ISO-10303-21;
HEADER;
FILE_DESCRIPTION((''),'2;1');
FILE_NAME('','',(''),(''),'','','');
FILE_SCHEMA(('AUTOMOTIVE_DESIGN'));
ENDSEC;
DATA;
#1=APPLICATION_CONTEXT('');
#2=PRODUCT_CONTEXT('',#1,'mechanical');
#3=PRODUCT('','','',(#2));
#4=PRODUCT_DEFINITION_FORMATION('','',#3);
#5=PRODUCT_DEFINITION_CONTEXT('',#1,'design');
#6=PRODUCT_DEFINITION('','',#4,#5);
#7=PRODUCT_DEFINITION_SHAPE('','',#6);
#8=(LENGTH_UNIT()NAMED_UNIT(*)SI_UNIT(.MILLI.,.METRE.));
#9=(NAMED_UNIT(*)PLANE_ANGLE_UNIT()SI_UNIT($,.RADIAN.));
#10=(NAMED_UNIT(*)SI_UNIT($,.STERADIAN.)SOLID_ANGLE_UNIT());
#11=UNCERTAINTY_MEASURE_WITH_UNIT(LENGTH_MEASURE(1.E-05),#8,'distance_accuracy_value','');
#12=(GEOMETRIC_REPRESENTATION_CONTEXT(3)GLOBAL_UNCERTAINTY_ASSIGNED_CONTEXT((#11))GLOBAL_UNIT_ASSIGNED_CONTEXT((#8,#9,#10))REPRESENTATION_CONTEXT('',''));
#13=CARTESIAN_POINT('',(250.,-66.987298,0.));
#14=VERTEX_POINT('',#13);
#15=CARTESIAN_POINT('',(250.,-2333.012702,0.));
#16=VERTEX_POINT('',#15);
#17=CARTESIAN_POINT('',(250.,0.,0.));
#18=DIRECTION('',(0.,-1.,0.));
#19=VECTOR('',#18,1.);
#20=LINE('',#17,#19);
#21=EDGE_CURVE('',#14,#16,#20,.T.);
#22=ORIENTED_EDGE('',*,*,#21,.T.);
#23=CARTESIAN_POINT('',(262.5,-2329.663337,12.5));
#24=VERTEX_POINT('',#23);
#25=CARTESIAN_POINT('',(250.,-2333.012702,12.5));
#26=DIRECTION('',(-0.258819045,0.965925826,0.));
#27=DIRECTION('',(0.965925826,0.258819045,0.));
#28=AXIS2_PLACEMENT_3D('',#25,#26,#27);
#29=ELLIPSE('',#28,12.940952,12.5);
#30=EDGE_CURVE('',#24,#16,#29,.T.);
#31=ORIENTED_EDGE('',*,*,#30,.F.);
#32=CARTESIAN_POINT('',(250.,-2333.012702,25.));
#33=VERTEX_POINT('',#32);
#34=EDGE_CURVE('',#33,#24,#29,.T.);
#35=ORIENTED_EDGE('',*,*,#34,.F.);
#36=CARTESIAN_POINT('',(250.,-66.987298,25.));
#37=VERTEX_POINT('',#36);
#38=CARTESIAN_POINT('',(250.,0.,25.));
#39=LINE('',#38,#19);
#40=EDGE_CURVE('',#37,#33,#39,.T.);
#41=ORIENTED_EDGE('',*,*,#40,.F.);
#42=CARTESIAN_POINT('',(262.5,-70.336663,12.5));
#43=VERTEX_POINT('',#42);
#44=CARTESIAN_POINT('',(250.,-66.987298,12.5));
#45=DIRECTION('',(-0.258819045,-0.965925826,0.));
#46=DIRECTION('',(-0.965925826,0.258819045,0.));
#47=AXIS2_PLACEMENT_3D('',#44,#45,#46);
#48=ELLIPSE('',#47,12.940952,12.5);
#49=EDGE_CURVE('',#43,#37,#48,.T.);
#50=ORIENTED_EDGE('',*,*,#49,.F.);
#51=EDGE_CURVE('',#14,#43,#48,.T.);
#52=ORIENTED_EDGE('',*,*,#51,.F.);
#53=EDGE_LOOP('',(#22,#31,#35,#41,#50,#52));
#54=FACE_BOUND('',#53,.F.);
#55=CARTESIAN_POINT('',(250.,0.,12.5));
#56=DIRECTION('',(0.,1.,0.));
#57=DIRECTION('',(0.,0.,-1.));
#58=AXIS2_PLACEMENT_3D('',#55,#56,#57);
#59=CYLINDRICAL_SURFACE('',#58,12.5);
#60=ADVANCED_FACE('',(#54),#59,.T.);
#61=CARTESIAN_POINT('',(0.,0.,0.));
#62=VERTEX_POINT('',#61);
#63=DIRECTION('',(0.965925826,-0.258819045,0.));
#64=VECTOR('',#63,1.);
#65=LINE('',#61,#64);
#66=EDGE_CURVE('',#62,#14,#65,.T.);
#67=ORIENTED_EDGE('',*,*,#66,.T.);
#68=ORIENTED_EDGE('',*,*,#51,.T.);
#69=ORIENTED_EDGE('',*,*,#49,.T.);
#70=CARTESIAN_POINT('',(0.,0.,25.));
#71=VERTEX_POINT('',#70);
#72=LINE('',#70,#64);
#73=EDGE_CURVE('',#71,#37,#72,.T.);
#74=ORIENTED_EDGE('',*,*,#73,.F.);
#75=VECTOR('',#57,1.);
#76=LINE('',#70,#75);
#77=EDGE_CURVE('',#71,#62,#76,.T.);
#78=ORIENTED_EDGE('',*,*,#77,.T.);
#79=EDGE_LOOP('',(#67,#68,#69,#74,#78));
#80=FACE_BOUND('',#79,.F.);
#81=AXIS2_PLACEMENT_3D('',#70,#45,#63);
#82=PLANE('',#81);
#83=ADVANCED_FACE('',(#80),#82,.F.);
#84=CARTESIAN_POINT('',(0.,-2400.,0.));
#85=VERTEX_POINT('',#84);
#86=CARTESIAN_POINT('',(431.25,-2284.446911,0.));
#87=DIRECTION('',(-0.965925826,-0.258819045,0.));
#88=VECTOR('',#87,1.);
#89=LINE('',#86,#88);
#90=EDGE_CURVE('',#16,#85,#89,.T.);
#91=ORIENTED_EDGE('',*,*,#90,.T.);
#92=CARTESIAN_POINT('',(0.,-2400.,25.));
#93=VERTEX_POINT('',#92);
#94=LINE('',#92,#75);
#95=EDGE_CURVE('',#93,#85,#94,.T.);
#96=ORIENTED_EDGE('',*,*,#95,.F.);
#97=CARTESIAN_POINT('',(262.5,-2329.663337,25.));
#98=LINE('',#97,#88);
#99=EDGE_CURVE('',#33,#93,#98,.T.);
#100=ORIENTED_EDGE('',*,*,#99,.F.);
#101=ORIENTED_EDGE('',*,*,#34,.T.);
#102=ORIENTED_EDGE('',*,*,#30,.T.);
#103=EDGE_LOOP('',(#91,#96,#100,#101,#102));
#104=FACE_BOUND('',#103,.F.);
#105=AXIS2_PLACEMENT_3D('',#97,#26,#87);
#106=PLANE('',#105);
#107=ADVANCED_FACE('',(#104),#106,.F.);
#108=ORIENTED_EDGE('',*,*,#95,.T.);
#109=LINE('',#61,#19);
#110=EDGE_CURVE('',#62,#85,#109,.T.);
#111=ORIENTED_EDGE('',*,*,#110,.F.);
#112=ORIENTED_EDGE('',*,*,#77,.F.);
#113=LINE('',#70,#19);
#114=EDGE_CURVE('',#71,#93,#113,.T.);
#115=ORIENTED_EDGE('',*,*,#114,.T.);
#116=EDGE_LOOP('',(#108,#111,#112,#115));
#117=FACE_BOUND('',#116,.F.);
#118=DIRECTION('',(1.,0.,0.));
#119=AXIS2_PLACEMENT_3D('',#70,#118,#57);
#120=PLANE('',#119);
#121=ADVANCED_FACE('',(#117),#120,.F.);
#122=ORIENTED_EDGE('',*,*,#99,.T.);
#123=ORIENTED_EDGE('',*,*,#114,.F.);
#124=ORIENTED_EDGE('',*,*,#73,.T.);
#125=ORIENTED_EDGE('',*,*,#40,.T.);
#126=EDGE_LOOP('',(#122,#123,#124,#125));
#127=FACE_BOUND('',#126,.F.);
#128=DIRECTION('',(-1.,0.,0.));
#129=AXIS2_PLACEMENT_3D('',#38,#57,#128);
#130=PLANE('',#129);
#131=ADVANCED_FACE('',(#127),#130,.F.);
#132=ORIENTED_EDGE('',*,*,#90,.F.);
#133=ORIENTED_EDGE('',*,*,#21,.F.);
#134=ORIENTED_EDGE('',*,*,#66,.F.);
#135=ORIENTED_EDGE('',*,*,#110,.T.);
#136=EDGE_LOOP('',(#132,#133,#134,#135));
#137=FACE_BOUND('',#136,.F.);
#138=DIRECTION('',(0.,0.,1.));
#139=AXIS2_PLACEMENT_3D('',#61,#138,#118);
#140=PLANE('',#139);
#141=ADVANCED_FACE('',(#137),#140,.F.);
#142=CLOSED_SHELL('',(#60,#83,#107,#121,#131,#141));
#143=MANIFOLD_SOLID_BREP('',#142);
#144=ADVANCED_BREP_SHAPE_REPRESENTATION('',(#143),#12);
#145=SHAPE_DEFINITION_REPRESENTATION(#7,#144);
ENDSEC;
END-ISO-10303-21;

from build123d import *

# Parameters (mm, degrees)
F1_DEPTH = 2400
F3_DEPTH = 25.001


with BuildPart() as f1:
    # F0 (on Front) → F1 (new body)
    with BuildSketch(Plane.XZ):
        with BuildLine():
            Line((0, 25), (0, 0))
            Line((0, 0), (250, 0))
            ThreePointArc((250, 0), (262.5, 12.5), (250, 25))
            Line((250, 25), (0, 25))
        make_face()
    extrude(amount=F1_DEPTH)

    # F2 (on face) → F3 (cut, through all)
    with BuildSketch(Plane.XY.offset(25)):
        Polygon((262.5, -2400), (262.5, -2329.6633369868), (250, -2333.0127018922), (250, -2400), align=None)
        Polygon((250, -2400), (250, -2333.0127018922), (0, -2400), align=None)
        Polygon((250, -66.9872981078), (250, 0), (0, 0), align=None)
        Polygon((262.5, -70.3366630132), (262.5, 0), (250, 0), (250, -66.9872981078), align=None)
    extrude(amount=-F3_DEPTH, mode=Mode.SUBTRACT)


solid = f1.part
